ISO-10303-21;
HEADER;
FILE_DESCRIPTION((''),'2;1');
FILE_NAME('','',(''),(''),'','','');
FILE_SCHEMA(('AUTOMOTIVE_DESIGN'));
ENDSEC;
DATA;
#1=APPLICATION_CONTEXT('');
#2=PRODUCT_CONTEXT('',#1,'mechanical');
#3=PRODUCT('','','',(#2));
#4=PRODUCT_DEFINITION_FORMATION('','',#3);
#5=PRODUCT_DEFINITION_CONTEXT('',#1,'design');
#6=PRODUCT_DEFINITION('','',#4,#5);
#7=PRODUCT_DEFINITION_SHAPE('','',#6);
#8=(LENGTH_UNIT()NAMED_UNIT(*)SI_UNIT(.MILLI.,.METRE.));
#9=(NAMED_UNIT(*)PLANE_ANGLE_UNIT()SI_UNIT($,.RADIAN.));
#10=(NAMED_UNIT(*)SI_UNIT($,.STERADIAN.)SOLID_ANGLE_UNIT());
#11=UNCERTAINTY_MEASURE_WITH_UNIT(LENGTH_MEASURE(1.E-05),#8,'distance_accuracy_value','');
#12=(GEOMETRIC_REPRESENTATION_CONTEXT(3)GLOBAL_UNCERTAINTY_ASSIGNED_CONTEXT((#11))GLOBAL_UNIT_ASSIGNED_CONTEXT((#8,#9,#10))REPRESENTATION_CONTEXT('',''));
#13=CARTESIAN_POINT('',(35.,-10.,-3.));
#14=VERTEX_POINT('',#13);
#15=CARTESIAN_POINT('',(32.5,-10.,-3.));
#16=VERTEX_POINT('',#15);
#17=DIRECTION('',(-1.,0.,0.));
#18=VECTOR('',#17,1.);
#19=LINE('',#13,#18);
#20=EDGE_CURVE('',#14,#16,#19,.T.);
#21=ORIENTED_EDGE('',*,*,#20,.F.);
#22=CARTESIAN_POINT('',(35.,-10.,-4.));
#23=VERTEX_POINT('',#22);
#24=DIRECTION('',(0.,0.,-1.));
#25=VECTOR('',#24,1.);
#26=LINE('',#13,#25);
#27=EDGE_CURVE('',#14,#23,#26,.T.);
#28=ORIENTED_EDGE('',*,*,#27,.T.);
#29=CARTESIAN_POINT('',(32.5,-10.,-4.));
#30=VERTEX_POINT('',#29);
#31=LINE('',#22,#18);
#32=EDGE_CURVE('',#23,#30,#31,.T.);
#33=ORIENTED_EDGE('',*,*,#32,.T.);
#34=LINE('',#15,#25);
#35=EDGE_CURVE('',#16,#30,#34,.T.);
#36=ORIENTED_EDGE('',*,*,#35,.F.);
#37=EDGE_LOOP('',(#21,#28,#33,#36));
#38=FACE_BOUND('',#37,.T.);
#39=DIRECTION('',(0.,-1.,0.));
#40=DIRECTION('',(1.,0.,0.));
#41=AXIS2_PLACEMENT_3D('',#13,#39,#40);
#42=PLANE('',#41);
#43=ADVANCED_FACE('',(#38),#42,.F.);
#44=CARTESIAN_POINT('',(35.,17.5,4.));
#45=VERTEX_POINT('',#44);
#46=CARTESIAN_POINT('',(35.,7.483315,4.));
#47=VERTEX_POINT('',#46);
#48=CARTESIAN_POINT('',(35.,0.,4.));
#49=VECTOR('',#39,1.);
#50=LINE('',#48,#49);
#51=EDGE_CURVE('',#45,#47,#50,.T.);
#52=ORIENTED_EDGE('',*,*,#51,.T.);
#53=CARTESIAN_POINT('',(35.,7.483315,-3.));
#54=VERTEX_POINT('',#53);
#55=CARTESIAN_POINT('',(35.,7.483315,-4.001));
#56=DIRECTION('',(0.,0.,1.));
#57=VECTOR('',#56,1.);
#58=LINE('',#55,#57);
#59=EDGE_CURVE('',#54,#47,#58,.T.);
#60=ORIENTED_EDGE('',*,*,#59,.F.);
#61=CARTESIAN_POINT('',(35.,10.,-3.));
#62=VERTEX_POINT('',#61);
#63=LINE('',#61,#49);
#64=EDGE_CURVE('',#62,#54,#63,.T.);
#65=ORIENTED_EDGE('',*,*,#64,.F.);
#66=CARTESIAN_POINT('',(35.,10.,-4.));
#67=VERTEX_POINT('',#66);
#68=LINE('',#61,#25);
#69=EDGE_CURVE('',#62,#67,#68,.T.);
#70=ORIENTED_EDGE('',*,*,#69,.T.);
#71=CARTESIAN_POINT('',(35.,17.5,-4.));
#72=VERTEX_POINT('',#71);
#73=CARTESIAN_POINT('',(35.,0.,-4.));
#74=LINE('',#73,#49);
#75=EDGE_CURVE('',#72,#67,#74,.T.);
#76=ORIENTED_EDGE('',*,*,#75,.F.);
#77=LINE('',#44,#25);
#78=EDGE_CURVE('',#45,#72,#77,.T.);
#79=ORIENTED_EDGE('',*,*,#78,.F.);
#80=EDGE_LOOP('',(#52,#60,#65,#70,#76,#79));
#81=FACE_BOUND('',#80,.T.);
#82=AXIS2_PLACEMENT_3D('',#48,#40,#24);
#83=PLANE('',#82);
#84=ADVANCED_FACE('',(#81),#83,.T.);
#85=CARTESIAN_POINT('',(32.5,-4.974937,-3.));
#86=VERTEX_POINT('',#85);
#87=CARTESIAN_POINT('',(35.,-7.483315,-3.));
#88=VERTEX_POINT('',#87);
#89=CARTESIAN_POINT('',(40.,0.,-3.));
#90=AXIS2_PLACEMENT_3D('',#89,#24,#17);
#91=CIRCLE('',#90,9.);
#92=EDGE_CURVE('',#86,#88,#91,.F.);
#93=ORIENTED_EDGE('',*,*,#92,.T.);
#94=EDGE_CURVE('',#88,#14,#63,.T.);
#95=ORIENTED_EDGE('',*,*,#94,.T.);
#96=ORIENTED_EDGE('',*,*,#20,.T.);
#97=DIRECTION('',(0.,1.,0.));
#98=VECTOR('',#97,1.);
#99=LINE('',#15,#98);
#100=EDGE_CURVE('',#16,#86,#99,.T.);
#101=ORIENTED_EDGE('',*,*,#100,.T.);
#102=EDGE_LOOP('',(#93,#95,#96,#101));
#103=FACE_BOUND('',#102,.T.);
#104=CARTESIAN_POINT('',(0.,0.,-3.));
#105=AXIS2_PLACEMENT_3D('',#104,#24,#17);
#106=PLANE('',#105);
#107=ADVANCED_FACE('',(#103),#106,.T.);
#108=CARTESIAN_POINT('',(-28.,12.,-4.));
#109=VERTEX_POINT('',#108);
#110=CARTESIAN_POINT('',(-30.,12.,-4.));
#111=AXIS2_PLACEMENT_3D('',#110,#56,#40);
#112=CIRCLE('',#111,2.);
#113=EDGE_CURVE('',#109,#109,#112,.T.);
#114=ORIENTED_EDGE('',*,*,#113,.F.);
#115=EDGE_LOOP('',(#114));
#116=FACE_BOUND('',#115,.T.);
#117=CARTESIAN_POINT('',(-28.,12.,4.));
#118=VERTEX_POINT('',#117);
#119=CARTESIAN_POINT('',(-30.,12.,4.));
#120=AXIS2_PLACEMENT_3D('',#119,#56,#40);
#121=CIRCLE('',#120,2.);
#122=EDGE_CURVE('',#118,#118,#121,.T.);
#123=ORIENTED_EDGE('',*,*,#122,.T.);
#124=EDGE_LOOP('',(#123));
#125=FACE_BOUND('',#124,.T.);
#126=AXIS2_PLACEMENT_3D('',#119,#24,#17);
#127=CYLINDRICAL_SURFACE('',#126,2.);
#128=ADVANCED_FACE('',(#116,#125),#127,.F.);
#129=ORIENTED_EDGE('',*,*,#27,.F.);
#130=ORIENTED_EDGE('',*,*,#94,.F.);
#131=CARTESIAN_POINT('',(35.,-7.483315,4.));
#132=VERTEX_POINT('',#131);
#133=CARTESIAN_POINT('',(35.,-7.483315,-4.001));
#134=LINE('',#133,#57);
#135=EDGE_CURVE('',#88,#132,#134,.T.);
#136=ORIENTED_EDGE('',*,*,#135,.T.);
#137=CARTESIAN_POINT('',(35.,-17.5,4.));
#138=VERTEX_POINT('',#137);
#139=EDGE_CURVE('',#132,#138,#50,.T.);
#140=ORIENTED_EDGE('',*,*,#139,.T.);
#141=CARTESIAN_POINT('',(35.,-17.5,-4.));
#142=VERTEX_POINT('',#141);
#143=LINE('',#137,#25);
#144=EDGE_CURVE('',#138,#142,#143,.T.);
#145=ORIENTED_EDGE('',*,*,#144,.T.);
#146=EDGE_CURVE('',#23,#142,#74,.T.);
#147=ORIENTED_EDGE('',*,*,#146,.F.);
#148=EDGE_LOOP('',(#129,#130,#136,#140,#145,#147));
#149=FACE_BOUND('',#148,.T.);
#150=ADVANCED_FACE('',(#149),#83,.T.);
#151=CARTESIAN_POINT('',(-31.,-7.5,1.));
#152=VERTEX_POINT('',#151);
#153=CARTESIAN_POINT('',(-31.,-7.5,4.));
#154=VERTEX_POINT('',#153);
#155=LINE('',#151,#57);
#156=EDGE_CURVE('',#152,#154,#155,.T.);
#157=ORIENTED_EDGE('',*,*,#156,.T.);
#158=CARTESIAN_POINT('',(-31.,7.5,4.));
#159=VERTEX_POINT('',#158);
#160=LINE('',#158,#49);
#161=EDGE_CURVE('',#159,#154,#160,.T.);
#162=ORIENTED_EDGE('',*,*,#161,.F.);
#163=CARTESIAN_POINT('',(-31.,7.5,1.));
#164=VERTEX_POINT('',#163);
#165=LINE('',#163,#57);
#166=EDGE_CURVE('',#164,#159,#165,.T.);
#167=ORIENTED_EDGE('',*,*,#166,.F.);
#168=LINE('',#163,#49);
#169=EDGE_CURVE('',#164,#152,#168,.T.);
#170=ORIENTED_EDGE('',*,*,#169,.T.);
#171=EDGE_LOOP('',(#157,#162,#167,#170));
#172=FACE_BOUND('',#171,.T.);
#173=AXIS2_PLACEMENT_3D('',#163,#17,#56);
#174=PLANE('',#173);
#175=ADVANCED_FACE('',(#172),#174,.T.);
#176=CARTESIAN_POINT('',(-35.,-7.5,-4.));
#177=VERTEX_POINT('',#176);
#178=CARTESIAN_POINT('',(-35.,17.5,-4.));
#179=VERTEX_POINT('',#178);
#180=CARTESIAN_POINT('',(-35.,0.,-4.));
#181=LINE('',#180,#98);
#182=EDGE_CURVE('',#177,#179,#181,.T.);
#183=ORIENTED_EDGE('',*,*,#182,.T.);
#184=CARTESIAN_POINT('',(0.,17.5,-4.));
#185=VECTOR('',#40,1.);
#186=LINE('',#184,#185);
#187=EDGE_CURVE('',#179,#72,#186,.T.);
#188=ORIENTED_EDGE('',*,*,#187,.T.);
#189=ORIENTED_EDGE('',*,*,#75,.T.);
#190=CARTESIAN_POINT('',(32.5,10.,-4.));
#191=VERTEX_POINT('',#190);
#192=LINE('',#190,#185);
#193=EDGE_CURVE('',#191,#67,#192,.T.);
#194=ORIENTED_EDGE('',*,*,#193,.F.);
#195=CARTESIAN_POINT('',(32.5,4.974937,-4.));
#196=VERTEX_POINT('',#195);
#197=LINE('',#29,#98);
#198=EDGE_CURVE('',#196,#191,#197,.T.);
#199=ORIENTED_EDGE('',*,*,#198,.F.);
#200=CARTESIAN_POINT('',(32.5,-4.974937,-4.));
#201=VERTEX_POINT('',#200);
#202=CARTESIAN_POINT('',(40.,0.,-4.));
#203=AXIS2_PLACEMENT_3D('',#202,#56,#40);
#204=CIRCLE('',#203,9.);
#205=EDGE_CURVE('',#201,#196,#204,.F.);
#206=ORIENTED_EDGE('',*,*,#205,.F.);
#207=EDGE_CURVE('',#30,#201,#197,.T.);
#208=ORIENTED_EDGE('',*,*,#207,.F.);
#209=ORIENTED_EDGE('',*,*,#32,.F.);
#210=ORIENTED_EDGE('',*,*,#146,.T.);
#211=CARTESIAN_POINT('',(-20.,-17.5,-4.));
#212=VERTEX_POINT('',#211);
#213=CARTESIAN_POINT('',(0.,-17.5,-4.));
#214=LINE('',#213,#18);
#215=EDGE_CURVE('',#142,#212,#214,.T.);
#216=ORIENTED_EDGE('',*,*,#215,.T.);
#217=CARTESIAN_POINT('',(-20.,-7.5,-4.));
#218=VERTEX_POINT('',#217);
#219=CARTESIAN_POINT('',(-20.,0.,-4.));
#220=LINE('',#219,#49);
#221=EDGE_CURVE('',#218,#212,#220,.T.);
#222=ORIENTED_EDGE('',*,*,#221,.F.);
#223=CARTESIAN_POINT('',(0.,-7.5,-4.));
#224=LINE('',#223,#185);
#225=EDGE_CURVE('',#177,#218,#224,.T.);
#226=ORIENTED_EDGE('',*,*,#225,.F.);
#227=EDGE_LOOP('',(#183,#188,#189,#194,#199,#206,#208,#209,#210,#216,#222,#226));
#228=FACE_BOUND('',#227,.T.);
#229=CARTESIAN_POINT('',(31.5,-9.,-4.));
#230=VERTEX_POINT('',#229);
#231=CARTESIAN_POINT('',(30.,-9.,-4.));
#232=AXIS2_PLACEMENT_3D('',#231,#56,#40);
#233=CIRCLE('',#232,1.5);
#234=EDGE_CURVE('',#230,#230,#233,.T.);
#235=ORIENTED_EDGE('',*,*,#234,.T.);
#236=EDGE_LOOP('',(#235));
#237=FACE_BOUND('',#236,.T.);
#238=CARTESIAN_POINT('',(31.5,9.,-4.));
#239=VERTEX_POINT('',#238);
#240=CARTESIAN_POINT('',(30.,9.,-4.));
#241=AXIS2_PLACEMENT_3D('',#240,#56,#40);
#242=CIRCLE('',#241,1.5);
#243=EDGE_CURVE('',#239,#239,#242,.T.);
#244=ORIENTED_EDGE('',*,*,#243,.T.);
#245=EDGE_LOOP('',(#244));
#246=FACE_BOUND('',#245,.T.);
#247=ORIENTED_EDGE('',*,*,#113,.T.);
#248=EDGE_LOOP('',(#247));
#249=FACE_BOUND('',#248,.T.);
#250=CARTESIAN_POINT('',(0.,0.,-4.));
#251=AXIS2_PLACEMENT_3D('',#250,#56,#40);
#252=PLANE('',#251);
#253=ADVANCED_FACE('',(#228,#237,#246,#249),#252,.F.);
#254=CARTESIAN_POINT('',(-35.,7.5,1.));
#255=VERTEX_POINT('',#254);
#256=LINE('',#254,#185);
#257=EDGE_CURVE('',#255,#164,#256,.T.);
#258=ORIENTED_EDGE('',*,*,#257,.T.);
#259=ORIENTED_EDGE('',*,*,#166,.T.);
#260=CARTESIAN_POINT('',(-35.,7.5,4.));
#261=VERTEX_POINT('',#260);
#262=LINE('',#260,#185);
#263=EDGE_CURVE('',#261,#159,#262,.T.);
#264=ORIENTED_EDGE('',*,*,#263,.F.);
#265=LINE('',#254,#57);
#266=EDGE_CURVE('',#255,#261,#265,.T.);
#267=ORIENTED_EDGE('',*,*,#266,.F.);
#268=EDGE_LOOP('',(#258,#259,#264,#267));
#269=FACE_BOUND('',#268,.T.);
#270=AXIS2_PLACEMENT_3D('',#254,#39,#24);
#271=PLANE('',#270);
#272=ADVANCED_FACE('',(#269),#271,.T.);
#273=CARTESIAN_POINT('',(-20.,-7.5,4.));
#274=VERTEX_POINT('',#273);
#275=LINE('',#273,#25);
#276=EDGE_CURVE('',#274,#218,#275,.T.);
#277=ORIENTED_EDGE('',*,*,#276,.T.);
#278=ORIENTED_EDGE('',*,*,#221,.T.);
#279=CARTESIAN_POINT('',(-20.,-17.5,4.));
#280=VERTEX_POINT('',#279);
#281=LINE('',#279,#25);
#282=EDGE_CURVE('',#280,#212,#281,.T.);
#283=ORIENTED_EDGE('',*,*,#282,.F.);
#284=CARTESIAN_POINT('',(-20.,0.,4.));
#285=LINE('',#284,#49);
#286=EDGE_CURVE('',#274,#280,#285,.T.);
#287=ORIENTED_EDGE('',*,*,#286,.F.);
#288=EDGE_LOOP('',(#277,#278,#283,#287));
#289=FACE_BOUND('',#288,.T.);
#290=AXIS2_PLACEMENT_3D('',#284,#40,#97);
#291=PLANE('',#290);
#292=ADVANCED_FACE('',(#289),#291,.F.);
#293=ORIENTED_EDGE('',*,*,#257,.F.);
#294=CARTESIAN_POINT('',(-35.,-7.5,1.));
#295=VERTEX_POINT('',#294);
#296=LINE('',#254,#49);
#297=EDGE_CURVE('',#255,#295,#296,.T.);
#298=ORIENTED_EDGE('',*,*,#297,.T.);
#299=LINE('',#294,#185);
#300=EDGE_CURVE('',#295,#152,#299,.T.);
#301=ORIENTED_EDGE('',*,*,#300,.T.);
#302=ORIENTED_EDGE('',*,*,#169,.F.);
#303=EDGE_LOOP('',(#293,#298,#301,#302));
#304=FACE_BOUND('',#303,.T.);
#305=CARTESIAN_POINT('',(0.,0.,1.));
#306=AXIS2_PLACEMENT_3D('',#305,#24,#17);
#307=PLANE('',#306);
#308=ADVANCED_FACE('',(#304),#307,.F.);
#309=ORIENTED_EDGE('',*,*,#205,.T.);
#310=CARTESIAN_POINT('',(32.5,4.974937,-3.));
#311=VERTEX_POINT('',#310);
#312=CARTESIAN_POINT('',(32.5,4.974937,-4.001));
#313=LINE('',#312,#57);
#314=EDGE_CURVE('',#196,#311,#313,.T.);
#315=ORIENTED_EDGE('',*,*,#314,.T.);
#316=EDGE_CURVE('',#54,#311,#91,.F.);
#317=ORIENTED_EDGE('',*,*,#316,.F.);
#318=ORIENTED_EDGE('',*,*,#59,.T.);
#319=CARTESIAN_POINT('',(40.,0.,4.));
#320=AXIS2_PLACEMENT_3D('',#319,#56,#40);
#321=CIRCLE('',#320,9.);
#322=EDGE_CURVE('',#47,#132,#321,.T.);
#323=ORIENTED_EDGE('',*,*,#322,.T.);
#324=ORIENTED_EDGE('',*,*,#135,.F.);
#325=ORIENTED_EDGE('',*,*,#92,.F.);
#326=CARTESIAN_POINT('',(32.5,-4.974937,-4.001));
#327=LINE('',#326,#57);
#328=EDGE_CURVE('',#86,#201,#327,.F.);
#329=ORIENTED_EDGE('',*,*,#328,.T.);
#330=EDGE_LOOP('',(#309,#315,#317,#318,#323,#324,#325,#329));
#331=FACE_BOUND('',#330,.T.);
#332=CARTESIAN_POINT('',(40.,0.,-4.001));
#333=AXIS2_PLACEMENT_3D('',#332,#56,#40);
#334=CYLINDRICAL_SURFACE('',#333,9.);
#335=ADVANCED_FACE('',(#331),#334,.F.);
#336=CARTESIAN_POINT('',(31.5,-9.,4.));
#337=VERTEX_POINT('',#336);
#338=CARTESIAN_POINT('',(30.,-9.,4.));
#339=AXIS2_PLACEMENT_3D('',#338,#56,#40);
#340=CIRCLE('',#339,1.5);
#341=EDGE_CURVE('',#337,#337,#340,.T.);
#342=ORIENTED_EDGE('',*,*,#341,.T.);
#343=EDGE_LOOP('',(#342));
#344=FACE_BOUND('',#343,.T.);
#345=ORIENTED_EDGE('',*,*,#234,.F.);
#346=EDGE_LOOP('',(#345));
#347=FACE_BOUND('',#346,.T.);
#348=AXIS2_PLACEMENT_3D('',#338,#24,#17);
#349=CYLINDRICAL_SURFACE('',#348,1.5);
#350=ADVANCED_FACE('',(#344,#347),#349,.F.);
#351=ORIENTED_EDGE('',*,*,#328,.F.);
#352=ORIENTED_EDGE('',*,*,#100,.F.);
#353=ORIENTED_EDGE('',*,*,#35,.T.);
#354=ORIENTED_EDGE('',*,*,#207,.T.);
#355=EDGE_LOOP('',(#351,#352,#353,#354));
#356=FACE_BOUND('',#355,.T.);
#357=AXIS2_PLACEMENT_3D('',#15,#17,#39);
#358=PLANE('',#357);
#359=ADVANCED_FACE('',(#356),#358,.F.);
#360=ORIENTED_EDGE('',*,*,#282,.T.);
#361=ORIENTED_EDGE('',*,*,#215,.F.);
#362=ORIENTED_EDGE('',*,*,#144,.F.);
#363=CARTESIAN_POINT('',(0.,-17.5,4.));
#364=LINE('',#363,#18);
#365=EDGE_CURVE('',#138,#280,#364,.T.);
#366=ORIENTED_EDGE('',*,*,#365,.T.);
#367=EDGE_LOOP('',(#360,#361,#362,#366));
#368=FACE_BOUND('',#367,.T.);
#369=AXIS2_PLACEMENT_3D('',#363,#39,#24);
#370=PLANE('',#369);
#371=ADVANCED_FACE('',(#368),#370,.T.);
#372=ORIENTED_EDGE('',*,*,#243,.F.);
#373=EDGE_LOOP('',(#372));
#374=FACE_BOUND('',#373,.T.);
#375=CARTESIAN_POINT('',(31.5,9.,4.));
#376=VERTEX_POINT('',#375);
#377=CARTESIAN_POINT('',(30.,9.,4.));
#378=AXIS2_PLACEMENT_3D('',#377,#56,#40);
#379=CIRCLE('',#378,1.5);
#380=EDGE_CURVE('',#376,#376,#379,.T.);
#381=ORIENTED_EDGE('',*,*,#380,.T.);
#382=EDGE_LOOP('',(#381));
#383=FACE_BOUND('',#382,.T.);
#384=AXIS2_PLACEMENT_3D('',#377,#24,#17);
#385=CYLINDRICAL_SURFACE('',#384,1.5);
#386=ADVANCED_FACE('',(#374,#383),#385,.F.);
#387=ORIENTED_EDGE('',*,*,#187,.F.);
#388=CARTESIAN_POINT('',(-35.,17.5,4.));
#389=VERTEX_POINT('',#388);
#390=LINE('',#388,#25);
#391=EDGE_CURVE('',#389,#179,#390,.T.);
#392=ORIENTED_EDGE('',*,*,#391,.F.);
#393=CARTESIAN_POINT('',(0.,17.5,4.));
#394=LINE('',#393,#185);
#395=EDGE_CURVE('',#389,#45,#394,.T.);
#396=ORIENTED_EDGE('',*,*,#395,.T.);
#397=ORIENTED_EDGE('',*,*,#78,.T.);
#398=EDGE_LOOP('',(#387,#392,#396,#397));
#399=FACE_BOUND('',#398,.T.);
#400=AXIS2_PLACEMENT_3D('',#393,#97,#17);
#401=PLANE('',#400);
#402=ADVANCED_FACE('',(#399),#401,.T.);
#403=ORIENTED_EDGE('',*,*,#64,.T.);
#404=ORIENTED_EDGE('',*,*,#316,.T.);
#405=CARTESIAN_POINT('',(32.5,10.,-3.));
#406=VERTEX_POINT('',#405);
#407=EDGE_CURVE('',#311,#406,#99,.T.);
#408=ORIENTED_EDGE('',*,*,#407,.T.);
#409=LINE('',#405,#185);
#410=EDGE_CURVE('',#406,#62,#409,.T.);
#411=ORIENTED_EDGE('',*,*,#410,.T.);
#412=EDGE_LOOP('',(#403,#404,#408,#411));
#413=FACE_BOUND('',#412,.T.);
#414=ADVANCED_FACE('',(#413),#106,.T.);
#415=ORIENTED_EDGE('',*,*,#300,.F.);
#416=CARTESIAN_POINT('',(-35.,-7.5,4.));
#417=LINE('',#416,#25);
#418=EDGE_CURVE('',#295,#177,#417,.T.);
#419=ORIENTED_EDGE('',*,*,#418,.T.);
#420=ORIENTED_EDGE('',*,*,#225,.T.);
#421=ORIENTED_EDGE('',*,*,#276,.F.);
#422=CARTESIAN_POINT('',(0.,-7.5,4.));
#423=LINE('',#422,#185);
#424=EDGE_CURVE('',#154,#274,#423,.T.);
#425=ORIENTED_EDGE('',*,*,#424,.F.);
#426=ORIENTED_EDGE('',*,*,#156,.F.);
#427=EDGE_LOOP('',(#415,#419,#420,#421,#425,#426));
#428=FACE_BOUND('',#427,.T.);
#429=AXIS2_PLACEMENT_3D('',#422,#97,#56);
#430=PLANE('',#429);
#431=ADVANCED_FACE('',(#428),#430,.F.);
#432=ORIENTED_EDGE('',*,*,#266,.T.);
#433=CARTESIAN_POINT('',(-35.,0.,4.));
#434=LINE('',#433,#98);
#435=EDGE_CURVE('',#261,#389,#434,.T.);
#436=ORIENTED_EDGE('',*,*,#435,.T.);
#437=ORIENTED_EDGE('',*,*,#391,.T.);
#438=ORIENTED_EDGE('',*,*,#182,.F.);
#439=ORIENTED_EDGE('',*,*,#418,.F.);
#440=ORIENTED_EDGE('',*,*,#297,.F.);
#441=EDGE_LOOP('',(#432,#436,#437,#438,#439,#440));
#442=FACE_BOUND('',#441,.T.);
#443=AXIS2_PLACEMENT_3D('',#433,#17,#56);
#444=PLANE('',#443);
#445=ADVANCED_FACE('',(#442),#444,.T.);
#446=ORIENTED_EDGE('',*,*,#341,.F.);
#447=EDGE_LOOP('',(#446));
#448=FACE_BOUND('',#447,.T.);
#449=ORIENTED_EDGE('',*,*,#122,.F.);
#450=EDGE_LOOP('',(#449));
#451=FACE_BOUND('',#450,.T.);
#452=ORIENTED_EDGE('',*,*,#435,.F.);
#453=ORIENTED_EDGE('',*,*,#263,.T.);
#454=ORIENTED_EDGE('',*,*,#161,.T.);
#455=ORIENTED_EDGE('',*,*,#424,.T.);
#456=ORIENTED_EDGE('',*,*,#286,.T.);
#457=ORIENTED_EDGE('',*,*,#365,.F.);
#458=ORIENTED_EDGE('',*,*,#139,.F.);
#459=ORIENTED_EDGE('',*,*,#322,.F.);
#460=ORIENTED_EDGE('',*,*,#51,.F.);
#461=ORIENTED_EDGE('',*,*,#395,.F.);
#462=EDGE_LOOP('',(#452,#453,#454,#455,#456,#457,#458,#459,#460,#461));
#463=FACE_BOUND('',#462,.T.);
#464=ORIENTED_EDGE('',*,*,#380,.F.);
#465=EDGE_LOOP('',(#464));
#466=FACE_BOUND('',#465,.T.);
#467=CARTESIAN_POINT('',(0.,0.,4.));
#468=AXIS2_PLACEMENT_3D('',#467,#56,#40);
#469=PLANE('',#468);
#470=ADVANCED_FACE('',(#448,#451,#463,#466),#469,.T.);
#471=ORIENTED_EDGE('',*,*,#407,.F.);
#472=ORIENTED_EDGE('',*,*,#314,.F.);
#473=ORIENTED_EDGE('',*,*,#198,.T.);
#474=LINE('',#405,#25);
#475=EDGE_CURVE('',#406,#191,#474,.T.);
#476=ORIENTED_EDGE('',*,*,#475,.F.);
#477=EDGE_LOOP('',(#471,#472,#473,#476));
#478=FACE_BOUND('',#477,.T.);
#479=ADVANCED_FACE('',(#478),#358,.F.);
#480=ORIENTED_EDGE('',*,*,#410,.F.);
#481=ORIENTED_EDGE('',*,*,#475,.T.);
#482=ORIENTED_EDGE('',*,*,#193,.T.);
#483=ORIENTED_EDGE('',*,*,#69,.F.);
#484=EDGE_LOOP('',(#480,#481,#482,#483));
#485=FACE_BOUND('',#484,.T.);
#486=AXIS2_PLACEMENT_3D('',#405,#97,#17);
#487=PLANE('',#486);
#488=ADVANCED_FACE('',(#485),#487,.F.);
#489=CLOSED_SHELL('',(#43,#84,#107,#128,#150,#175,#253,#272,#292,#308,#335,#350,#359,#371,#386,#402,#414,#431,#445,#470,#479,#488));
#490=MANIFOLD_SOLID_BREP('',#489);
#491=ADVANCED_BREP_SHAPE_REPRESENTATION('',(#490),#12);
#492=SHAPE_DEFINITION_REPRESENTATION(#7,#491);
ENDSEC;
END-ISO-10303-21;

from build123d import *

# Parameters (mm, degrees)
SKETCH1_R           = 2
BOSS_EXTRUDE1_DEPTH = 4
SKETCH2_W           = 4
SKETCH2_H           = 15
CUT_EXTRUDE1_DEPTH  = 3
SKETCH3_W           = 2.5
SKETCH3_H           = 20
CUT_EXTRUDE2_DEPTH  = 1
CUT_EXTRUDE3_REACH  = 10
SKETCH5_R           = 9


with BuildPart() as part:
    # Sketch1 → Boss-Extrude1 (new body, symmetric)
    with BuildSketch(Plane.XY):
        Polygon((-20, -17.5), (35, -17.5), (35, 17.5), (-35, 17.5), (-35, -7.5), (-20, -7.5), align=None)
        with BuildLine():
            ThreePointArc((31.5, -9), (28.939339828, -10.060660172), (30, -7.5))
            ThreePointArc((30, -7.5), (31.060660172, -7.939339828), (31.5, -9))
        make_face(mode=Mode.SUBTRACT)
        with Locations((-30, 12)):
            Circle(SKETCH1_R, mode=Mode.SUBTRACT)
        with BuildLine():
            ThreePointArc((31.5, 9), (31.060660172, 7.939339828), (30, 7.5))
            ThreePointArc((30, 7.5), (28.939339828, 10.060660172), (31.5, 9))
        make_face(mode=Mode.SUBTRACT)
    extrude(amount=BOSS_EXTRUDE1_DEPTH, both=True)

    # Sketch2 → Cut-Extrude1 (cut)
    with BuildSketch(Plane.XY.offset(4)):
        with Locations((-33, 0)):
            Rectangle(SKETCH2_W, SKETCH2_H)
    extrude(amount=-CUT_EXTRUDE1_DEPTH, mode=Mode.SUBTRACT)

    # Sketch3 → Cut-Extrude2 (cut)
    with BuildSketch(Plane(origin=(0, 0, -4), x_dir=(-1, 0, 0), z_dir=(0, 0, -1))):
        with Locations((-33.75, 0)):
            Rectangle(SKETCH3_W, SKETCH3_H)
    extrude(amount=-CUT_EXTRUDE2_DEPTH, mode=Mode.SUBTRACT)

    # Sketch5 → Cut-Extrude3 (cut, up to next)
    with BuildSketch(Plane.XY.offset(4), mode=Mode.PRIVATE) as cut_extrude3_sk1:
        with Locations((40, 0)):
            Circle(SKETCH5_R)
    cut_extrude3_tool1 = extrude(cut_extrude3_sk1.sketch, amount=-CUT_EXTRUDE3_REACH, mode=Mode.PRIVATE) & part.part
    add(cut_extrude3_tool1.solids().sort_by_distance((40, 0, 4))[0], mode=Mode.SUBTRACT)


solid = part.part
